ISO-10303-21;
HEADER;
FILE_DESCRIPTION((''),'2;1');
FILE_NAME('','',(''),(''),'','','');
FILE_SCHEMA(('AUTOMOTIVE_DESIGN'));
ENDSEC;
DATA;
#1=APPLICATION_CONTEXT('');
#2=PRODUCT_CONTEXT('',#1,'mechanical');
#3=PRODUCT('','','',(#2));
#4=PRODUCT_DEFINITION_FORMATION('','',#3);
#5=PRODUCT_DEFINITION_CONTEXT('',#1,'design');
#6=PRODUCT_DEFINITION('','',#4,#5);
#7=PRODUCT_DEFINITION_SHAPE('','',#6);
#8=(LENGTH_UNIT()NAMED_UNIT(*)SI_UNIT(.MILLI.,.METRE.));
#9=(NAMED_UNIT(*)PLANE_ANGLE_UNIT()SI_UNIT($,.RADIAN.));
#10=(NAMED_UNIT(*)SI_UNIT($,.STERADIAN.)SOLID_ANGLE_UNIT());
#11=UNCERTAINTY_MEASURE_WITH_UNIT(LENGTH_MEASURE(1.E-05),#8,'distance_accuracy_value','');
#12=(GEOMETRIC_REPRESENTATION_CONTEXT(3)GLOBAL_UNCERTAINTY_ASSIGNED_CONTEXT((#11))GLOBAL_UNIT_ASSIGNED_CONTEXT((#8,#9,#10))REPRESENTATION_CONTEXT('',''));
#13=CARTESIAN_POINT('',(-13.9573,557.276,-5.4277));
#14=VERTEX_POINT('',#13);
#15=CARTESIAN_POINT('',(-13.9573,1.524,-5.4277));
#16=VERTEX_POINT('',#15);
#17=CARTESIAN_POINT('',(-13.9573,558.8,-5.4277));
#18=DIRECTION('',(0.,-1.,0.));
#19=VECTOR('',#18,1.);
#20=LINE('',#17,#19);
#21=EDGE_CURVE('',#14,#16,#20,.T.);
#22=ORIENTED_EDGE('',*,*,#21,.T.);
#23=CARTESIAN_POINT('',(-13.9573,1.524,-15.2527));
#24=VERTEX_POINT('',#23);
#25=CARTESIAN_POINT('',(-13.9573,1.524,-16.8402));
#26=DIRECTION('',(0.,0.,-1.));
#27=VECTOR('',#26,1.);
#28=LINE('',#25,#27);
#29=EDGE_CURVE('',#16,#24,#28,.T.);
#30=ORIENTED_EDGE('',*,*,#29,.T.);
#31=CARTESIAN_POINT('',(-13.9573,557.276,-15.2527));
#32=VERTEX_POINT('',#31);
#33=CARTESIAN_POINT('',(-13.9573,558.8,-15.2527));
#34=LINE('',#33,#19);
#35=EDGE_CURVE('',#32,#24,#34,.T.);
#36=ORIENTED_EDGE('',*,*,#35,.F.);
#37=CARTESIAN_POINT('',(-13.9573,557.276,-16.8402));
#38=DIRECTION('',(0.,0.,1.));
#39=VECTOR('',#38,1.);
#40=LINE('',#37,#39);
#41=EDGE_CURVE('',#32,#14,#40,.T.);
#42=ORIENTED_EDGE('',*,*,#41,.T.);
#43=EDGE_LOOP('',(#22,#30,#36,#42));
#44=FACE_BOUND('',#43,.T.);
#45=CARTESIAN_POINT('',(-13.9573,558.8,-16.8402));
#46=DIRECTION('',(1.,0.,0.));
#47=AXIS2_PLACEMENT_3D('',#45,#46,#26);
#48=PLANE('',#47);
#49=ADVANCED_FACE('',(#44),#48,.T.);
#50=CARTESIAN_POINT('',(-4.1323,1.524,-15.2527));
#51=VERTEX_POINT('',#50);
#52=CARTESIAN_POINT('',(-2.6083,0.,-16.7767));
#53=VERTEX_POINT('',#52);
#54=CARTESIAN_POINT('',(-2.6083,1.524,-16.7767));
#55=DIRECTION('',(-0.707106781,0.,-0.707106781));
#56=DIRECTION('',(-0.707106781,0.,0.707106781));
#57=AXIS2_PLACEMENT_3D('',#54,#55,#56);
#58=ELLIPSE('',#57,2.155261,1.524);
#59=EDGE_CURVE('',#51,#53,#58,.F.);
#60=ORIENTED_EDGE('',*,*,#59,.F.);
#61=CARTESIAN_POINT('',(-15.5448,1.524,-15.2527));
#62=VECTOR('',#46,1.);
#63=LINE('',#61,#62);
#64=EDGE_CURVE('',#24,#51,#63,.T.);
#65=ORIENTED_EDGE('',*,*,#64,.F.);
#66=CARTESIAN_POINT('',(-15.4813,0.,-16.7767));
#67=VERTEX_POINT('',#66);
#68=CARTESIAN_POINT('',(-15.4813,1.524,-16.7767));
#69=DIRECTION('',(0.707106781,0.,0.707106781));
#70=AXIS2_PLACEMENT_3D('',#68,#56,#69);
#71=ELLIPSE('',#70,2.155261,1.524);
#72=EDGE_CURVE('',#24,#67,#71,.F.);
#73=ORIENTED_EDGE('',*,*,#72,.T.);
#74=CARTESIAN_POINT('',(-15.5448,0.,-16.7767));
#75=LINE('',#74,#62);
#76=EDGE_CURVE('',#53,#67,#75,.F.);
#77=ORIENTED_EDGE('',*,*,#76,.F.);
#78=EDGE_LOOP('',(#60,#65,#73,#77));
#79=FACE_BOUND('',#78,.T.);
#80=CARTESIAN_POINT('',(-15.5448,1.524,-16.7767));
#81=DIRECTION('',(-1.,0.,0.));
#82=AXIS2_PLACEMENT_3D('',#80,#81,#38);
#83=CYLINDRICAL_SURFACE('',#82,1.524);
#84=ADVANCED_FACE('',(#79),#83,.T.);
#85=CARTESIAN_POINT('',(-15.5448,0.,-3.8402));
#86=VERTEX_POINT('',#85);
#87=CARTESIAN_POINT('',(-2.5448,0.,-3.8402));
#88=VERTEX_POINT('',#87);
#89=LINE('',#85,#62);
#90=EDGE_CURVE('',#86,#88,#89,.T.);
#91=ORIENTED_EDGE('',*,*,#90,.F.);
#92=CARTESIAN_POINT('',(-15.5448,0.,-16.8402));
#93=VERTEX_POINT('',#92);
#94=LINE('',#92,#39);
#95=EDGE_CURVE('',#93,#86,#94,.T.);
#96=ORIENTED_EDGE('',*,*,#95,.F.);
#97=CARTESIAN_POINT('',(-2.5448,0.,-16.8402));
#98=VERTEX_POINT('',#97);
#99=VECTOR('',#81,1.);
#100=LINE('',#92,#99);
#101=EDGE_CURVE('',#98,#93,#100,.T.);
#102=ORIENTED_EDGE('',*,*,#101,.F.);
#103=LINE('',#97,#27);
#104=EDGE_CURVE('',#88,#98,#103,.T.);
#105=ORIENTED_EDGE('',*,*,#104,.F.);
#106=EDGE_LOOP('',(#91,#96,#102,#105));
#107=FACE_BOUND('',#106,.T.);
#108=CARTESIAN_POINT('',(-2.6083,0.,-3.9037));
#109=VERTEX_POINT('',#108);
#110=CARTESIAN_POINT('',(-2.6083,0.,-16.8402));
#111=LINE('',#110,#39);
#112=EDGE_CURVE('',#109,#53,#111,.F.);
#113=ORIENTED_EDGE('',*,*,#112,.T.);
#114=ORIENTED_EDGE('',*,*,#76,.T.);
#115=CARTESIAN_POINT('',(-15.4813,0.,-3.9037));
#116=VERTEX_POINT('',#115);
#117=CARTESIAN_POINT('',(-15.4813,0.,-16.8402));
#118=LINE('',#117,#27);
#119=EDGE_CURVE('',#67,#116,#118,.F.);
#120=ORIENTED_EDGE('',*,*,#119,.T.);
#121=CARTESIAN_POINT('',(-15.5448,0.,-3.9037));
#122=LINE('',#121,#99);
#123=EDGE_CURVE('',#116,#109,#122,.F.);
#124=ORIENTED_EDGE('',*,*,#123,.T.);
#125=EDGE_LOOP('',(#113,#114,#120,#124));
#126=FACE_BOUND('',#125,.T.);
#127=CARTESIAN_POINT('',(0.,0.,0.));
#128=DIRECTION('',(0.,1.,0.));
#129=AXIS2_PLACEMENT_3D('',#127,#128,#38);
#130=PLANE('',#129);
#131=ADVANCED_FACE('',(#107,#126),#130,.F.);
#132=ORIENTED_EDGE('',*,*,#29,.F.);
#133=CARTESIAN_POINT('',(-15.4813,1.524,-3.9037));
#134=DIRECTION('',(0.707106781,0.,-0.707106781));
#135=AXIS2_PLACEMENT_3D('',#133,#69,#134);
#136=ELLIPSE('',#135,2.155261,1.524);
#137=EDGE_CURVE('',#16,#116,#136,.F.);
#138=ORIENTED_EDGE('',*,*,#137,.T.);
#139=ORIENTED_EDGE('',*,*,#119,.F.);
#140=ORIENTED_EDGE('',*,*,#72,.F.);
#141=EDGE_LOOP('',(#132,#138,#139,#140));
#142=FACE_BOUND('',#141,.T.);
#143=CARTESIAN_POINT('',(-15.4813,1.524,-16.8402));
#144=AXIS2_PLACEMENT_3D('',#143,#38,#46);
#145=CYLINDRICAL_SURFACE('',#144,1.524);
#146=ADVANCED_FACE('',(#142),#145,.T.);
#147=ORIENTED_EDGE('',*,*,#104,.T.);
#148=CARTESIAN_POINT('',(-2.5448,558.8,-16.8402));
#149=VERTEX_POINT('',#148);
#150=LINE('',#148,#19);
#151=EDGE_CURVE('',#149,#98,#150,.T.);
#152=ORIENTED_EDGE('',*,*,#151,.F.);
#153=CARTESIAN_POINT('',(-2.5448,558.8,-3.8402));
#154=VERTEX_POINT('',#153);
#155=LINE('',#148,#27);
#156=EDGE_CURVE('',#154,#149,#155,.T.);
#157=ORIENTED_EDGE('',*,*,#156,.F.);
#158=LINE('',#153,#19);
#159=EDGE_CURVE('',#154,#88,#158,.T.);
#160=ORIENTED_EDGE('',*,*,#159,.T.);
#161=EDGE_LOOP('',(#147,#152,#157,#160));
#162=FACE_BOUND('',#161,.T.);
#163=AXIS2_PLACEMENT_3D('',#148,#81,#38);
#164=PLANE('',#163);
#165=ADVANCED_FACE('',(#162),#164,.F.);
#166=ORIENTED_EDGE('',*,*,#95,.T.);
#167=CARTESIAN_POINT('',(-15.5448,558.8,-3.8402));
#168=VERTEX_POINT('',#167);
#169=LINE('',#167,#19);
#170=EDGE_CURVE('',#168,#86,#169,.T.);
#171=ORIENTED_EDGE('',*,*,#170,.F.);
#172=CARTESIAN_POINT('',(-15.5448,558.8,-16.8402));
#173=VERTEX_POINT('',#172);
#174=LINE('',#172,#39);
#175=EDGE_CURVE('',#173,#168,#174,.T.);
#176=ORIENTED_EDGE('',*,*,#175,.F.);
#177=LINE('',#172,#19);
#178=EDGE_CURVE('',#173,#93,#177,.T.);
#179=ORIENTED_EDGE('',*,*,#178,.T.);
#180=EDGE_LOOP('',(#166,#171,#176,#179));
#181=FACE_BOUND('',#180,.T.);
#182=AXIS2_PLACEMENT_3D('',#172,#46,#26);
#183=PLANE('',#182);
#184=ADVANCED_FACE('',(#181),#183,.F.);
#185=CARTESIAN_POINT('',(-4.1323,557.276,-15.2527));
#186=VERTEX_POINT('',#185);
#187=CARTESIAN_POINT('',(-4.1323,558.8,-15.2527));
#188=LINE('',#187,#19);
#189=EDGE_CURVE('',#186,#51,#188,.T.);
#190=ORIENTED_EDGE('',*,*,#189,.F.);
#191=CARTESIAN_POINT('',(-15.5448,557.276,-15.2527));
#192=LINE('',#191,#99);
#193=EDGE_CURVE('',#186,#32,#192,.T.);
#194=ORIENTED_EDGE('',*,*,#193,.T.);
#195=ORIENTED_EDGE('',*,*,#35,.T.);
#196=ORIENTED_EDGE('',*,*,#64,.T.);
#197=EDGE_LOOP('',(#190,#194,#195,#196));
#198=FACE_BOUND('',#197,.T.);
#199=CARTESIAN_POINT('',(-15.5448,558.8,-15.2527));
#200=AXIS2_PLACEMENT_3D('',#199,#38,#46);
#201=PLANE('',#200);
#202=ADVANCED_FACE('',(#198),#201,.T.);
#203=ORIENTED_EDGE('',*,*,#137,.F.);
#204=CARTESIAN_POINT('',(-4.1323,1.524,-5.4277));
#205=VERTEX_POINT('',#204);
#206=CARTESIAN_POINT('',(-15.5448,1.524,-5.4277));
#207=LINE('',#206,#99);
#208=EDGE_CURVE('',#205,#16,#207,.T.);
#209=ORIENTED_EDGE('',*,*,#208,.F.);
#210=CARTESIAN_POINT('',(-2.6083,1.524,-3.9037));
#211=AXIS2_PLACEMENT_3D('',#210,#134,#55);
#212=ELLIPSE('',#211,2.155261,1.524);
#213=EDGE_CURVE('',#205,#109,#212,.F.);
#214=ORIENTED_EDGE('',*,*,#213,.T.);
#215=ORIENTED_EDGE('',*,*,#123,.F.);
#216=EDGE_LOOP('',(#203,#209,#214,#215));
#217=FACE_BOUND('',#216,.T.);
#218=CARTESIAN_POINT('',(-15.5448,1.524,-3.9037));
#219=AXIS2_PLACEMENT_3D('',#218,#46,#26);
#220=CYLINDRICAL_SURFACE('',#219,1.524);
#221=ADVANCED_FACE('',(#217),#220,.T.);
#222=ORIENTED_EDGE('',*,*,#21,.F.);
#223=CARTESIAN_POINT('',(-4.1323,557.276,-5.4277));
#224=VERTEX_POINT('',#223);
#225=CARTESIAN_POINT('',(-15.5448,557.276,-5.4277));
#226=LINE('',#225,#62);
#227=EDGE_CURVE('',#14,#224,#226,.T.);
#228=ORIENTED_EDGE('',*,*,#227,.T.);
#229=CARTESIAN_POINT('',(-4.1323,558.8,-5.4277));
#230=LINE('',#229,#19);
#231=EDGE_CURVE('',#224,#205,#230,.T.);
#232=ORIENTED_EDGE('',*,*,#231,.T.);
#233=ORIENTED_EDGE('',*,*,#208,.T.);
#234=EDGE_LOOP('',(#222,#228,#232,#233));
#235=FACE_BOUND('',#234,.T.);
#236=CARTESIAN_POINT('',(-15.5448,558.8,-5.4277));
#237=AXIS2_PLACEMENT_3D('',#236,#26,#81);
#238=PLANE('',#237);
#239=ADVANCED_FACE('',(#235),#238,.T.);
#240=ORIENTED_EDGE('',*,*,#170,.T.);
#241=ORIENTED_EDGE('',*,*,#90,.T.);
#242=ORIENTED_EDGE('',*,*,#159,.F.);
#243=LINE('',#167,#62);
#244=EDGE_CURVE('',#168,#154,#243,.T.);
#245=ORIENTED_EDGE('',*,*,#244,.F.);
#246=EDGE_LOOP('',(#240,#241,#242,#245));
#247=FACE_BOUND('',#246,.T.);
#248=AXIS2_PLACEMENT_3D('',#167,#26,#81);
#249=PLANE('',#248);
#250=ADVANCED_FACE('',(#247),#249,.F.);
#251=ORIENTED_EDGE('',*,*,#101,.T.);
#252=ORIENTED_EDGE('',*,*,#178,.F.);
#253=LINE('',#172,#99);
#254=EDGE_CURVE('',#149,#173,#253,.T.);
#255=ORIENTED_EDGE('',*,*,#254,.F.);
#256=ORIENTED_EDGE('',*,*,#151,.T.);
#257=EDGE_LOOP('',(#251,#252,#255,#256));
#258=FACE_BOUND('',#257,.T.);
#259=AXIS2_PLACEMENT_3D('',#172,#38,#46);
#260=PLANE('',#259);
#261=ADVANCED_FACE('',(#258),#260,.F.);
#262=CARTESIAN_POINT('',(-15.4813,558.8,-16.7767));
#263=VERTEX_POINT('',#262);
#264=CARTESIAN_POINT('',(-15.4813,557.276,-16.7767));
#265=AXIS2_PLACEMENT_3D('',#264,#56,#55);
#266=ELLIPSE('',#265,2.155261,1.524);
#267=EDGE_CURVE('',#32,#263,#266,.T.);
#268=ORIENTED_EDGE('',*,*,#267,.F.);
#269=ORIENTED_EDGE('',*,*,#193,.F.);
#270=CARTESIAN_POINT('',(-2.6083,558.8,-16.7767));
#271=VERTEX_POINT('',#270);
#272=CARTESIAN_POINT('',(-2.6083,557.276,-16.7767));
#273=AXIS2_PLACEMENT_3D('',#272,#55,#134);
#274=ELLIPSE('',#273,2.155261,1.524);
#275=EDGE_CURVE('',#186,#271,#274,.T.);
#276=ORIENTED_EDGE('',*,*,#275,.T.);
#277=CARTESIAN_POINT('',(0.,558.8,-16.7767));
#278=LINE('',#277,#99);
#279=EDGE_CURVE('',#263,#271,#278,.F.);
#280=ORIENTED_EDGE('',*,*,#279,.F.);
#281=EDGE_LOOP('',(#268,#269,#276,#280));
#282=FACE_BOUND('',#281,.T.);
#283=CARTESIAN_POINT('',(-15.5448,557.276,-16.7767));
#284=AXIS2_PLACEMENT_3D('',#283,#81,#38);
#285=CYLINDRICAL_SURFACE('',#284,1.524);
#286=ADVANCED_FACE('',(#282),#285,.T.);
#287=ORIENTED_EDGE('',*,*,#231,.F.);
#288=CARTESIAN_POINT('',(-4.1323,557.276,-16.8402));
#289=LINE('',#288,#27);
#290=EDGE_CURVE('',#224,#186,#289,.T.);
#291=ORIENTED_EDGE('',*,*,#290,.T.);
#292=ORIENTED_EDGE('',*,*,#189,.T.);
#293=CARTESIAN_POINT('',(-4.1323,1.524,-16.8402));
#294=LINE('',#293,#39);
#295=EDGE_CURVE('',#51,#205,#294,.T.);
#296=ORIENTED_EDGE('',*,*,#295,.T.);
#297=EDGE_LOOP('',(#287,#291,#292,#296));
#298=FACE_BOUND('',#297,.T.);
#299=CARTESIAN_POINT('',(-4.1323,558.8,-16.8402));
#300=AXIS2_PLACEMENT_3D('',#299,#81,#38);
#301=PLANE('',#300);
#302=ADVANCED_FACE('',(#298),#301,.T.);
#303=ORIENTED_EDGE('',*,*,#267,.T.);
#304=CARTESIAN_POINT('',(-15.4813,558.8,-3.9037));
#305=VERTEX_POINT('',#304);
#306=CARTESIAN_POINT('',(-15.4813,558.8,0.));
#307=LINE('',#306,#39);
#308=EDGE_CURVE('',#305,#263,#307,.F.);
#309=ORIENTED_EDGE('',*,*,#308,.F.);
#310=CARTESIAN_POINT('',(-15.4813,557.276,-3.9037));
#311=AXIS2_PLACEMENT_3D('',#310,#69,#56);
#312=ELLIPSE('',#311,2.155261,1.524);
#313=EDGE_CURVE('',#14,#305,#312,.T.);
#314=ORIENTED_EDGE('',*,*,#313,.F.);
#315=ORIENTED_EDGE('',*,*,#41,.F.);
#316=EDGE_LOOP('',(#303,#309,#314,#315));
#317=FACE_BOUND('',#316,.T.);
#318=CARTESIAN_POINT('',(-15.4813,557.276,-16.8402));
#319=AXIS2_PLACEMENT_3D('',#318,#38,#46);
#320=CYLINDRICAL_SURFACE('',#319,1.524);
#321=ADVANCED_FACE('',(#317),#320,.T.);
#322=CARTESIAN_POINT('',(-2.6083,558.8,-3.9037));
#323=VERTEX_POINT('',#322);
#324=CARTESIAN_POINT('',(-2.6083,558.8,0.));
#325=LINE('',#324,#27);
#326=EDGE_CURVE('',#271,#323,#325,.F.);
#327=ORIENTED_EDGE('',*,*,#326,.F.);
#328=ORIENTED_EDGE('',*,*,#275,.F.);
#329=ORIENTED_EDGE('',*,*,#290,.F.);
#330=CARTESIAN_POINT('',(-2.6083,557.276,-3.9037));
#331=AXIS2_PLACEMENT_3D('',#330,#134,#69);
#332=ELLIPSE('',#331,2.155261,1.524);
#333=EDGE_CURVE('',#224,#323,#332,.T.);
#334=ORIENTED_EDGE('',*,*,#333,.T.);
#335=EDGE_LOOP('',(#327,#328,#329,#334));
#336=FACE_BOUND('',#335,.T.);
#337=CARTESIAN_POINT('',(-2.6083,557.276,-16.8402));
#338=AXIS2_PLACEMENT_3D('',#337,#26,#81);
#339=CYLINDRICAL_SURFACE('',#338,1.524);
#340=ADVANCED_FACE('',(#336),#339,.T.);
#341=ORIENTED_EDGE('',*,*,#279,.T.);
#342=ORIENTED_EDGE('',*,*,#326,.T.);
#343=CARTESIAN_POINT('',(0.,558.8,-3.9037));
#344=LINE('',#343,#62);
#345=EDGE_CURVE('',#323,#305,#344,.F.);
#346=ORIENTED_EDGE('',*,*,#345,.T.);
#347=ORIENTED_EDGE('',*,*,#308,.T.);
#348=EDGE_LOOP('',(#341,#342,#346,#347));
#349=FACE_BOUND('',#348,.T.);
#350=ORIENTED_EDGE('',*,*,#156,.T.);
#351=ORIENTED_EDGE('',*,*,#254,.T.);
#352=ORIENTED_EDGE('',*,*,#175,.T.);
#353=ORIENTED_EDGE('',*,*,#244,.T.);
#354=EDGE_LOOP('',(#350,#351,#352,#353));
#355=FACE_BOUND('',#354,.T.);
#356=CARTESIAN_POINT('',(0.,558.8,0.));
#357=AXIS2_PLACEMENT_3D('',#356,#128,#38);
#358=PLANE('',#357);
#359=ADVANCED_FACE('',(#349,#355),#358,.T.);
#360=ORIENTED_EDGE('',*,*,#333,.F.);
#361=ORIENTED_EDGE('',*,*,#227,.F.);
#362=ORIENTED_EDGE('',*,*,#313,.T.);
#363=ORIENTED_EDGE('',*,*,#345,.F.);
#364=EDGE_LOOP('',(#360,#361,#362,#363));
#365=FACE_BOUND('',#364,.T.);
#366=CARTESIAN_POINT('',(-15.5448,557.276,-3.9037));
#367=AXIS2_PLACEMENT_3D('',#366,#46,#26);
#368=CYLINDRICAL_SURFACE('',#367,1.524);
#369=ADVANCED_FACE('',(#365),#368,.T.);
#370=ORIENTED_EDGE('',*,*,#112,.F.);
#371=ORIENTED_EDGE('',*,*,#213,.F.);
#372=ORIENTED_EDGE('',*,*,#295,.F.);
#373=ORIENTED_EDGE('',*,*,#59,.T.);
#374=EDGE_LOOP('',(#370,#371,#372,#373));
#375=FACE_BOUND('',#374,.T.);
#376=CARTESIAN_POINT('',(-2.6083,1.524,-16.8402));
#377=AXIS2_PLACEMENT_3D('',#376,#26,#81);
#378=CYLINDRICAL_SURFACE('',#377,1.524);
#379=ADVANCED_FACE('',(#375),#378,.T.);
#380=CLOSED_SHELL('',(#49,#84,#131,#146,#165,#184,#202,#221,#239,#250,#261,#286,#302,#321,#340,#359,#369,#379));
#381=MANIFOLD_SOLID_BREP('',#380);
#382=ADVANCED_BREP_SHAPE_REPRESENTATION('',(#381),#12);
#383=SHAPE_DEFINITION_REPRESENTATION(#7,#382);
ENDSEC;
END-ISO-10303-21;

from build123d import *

# Parameters (mm, degrees)
SKETCH1_W           = 13
SKETCH1_H           = 13
BOSS_EXTRUDE1_DEPTH = 558.8
SHELL1_T            = -1.5875
FILLET1_R           = 1.524
FILLET2_R           = 1.524


with BuildPart() as part:
    # Sketch1 → Boss-Extrude1 (new body)
    with BuildSketch(Plane(origin=(0, 0, 0), x_dir=(1, 0, 0), z_dir=(0, 1, 0))):
        with Locations((-9.0448, 10.3402)):
            Rectangle(SKETCH1_W, SKETCH1_H)
    extrude(amount=BOSS_EXTRUDE1_DEPTH)

    # Shell1
    shell1_openings = [part.faces().sort_by_distance(p)[0] for p in [
        (-9.0448, 558.8, -10.3402),
        (-9.0448, 0, -10.3402),
    ]]
    offset(amount=SHELL1_T, openings=shell1_openings, kind=Kind.INTERSECTION)

    # Fillet1
    fillet1_edges = [part.edges().sort_by_distance(p)[0] for p in [
        (-13.9573, 0, -10.3402),
        (-9.0448, 0, -5.4277),
        (-4.1323, 0, -10.3402),
        (-9.0448, 0, -15.2527),
    ]]
    fillet(fillet1_edges, radius=FILLET1_R)

    # Fillet2
    fillet2_edges = [part.edges().sort_by_distance(p)[0] for p in [
        (-13.9573, 558.8, -10.3402),
        (-9.0448, 558.8, -5.4277),
        (-4.1323, 558.8, -10.3402),
        (-9.0448, 558.8, -15.2527),
    ]]
    fillet(fillet2_edges, radius=FILLET2_R)


solid = part.part
